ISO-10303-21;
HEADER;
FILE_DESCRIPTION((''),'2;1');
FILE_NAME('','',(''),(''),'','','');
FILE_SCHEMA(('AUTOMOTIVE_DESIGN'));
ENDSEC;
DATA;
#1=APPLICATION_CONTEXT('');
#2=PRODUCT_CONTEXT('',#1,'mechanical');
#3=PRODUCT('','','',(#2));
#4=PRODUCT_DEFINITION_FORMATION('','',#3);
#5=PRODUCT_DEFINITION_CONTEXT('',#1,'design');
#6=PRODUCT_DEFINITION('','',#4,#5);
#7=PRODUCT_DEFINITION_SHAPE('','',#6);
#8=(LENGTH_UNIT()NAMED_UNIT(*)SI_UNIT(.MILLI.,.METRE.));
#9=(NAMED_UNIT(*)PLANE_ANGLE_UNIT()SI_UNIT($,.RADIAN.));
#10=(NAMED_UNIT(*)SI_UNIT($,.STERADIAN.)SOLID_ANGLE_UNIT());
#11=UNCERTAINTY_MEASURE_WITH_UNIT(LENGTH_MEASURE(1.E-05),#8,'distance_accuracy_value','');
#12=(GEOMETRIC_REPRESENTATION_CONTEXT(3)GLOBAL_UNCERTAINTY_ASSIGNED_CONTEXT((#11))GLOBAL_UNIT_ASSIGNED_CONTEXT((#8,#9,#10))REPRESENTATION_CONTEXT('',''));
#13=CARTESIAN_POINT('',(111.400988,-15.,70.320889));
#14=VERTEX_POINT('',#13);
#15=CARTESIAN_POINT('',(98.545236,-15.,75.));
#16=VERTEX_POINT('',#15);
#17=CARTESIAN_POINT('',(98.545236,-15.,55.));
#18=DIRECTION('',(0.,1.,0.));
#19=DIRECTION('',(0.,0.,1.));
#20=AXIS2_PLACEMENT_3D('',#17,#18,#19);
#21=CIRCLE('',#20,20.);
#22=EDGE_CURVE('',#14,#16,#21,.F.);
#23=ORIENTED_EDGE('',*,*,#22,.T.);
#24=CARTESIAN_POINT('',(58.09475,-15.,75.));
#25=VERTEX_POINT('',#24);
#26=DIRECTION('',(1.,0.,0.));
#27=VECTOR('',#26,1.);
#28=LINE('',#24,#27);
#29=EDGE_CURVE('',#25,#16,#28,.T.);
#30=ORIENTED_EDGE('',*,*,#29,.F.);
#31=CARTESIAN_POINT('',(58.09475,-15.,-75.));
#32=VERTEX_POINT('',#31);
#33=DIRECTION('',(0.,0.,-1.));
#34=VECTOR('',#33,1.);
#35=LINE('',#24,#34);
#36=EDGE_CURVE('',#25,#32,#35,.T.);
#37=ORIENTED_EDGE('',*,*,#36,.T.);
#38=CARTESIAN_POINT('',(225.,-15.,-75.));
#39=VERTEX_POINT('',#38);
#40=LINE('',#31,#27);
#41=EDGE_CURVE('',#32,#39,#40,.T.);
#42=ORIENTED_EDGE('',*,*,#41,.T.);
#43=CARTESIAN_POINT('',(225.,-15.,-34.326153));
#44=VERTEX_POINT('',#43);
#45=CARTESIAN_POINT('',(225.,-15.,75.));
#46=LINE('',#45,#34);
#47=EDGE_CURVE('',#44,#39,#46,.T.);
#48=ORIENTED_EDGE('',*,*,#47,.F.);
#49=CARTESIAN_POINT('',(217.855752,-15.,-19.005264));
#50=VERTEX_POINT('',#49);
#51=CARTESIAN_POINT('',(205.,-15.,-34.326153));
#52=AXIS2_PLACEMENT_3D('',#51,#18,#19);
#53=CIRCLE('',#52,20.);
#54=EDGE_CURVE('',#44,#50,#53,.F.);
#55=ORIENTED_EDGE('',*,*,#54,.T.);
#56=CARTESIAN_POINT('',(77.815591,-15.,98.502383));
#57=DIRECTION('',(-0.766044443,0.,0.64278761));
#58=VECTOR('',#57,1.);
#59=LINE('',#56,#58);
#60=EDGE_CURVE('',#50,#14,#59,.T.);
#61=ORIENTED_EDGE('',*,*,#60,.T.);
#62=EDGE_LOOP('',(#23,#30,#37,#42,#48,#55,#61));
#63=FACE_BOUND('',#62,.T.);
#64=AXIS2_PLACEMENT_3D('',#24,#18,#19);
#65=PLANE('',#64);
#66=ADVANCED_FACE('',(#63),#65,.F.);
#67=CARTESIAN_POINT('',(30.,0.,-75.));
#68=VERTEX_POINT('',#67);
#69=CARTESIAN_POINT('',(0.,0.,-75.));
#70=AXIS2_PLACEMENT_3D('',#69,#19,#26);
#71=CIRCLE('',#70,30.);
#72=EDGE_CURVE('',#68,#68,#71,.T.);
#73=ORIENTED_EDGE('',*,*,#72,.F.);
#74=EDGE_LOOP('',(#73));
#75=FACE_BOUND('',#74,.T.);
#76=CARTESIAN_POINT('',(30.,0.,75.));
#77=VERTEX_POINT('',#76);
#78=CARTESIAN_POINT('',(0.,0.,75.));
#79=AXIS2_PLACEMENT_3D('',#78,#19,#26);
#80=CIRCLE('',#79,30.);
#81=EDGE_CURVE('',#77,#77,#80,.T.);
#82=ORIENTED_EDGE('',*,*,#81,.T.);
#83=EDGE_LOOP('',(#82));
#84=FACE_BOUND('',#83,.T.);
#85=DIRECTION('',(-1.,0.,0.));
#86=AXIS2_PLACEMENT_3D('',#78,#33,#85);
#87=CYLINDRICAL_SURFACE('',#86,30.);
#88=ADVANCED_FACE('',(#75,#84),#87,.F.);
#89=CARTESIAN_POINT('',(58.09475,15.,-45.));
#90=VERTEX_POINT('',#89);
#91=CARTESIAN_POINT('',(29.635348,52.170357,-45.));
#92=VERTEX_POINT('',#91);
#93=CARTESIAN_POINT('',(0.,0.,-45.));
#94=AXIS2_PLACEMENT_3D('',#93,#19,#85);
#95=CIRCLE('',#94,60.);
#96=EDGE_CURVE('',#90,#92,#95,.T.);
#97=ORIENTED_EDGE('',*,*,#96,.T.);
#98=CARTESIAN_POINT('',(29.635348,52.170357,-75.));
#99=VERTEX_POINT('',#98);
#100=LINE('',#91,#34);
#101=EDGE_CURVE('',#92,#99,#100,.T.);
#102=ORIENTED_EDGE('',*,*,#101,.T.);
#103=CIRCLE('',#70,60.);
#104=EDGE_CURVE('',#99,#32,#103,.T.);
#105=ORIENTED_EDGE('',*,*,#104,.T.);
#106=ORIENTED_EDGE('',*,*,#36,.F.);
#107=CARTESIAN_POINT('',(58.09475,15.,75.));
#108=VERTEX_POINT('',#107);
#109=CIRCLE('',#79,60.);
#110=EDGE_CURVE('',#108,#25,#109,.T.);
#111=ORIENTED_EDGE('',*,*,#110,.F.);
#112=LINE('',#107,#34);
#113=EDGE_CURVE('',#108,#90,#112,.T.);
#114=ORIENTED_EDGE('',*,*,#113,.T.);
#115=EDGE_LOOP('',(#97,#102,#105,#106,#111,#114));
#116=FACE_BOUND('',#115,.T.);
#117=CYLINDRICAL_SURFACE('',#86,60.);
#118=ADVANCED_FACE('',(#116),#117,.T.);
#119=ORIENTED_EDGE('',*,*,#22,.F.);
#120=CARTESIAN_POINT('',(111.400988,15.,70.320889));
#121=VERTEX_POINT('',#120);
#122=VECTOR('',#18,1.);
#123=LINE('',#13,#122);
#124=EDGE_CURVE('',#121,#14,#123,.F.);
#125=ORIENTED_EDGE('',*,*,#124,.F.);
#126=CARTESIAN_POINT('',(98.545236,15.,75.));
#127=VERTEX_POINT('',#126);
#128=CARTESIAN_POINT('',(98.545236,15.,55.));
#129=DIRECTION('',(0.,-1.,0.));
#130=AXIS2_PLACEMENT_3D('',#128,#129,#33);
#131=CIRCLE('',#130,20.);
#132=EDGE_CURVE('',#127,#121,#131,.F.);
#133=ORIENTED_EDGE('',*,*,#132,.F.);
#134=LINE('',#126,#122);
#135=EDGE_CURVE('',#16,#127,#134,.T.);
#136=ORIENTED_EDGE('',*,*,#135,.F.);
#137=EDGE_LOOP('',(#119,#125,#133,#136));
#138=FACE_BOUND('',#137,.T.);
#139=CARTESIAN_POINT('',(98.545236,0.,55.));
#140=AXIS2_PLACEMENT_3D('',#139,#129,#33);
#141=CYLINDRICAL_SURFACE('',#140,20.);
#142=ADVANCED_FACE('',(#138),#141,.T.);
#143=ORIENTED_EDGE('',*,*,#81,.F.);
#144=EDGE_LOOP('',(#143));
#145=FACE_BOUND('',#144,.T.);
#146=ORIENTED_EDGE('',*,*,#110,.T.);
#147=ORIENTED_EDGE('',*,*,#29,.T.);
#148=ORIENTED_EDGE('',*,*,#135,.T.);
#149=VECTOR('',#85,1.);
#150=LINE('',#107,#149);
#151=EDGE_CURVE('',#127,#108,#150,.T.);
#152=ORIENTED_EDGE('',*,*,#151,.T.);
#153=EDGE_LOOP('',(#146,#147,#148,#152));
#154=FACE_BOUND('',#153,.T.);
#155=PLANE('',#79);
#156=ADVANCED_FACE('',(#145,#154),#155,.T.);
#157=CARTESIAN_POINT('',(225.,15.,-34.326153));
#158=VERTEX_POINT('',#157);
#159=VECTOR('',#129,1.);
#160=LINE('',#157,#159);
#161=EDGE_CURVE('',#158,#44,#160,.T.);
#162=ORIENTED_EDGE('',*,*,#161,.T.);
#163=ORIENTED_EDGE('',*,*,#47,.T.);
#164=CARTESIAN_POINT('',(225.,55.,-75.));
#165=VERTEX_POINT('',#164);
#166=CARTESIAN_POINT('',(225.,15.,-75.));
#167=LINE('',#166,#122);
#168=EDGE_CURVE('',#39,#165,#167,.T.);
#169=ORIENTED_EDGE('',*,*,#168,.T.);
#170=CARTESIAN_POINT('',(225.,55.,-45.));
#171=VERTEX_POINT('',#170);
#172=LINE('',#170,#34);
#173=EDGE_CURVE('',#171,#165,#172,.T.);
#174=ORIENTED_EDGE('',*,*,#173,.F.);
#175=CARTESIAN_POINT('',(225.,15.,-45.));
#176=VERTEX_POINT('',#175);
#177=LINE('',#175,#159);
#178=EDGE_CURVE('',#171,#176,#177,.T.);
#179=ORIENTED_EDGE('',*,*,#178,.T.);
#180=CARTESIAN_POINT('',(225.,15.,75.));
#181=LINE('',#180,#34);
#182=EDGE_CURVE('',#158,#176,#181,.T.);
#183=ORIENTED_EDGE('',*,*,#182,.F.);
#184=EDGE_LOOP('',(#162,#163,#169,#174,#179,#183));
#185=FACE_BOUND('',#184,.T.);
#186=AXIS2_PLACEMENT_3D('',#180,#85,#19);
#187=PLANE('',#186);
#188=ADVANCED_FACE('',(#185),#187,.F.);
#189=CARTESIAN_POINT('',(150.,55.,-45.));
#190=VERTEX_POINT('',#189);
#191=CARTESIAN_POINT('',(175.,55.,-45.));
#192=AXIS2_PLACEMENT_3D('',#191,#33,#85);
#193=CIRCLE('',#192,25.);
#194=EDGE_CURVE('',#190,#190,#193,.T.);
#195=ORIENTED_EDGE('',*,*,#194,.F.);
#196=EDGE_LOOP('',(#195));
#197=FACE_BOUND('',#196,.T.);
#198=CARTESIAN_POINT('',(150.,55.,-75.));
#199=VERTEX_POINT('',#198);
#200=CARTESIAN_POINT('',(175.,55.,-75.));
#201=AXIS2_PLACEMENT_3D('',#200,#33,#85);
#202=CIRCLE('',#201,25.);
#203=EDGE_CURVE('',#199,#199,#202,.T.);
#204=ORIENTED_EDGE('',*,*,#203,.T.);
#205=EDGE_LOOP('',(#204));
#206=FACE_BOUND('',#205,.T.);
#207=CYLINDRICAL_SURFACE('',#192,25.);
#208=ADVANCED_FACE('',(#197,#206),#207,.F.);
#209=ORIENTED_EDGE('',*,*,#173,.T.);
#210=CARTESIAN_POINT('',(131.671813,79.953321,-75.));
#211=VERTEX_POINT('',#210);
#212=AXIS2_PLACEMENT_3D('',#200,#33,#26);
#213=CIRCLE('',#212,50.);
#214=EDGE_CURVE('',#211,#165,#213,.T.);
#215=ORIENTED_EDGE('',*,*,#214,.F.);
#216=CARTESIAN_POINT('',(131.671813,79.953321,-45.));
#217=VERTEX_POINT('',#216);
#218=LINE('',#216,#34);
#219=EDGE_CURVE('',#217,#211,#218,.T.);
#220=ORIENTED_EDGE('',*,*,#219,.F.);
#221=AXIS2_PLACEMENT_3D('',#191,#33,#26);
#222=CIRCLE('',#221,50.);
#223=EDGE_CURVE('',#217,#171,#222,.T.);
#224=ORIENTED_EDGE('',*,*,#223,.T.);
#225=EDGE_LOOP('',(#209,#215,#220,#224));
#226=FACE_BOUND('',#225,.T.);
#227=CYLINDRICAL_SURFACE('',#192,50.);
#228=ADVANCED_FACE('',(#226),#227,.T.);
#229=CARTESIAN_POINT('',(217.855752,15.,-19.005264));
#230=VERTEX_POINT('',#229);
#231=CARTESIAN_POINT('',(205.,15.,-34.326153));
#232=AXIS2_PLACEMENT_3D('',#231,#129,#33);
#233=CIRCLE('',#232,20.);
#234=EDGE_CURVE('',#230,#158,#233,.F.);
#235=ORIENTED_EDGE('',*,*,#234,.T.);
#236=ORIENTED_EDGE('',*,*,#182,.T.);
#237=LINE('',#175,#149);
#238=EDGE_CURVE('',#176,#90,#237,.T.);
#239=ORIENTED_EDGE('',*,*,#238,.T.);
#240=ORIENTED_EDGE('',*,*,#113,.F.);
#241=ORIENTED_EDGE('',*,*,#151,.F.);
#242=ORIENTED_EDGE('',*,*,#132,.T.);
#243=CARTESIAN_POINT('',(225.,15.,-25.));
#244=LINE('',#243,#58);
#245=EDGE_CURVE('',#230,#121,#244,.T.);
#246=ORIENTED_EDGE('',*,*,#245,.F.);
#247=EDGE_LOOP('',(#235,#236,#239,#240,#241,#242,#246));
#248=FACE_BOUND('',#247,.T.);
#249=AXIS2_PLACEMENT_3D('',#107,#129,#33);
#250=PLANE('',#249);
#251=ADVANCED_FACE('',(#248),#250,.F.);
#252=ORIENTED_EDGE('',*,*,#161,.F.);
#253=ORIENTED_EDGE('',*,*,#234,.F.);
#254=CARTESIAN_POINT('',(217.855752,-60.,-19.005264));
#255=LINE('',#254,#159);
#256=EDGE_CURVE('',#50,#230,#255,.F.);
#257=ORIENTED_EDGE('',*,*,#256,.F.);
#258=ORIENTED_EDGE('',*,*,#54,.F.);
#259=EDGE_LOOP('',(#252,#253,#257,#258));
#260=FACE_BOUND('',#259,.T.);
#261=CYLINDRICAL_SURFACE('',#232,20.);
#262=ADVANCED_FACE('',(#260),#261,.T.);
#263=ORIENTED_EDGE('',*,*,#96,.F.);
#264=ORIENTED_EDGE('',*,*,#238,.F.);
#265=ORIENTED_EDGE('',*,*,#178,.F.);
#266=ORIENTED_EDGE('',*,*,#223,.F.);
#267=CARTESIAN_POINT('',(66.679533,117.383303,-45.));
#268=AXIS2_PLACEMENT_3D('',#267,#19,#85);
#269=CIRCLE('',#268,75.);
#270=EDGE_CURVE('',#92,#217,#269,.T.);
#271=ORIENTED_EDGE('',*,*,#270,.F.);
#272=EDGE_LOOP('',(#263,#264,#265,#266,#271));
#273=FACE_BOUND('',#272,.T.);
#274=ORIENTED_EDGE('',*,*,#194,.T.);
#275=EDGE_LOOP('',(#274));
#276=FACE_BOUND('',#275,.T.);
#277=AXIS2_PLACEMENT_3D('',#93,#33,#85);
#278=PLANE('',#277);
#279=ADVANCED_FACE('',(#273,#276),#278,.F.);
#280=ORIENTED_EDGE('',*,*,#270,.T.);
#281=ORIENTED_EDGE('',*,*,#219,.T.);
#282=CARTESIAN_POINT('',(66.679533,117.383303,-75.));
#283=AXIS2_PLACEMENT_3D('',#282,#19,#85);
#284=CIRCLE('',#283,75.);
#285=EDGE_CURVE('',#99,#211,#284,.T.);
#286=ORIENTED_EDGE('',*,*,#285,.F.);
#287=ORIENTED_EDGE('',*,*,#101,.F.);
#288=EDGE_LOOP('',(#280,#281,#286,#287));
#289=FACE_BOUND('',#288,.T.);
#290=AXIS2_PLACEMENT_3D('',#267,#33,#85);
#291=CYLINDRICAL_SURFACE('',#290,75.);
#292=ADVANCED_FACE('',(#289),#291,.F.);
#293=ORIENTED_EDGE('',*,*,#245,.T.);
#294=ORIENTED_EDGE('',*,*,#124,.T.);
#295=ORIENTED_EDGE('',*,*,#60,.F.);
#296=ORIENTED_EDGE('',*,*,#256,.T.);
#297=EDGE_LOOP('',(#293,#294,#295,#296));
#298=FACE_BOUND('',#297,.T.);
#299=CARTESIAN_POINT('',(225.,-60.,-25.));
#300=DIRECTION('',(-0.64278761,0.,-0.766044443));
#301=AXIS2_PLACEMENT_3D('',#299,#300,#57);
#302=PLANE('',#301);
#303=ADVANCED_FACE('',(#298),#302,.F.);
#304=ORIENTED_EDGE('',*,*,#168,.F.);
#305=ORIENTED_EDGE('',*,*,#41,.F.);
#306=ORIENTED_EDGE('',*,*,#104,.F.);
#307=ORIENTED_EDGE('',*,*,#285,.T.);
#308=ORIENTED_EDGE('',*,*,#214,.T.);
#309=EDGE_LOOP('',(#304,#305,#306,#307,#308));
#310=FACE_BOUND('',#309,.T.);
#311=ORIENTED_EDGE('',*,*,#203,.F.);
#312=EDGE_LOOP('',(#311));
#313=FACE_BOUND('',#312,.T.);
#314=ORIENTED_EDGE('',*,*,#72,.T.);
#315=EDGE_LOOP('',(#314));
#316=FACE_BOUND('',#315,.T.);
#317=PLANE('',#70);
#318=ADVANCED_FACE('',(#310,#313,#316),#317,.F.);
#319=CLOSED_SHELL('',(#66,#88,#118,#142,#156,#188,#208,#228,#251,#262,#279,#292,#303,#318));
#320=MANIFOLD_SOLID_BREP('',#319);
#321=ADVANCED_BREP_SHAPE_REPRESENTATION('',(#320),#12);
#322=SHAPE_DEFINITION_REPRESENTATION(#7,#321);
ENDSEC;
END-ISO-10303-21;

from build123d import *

# Parameters (mm, degrees)
SKETCH1_R           = 30
BOSS_EXTRUDE1_DEPTH = 75
SKETCH2_R           = 25
BOSS_EXTRUDE2_DEPTH = 30
CUT_EXTRUDE1_DEPTH  = 76
FILLET1_R           = 20


with BuildPart() as part:
    # Sketch1 → Boss-Extrude1 (new body, symmetric)
    with BuildSketch(Plane.XY):
        with BuildLine():
            Line((58.094750193, 15), (225, 15))
            Line((225, 15), (225, -15))
            Line((225, -15), (58.094750193, -15))
            ThreePointArc((58.094750193, -15), (-60, 0), (58.094750193, 15))
        make_face()
        Circle(SKETCH1_R, mode=Mode.SUBTRACT)
    extrude(amount=BOSS_EXTRUDE1_DEPTH, both=True)

    # Sketch2 → Boss-Extrude2 (add)
    with BuildSketch(Plane(origin=(0, 0, -75), x_dir=(-1, 0, 0), z_dir=(0, 0, -1))):
        with BuildLine():
            Line((-225, 15), (-225, 55))
            ThreePointArc((-225, 55), (-187.914926762, 103.30325731), (-131.671813331, 79.953321221))
            ThreePointArc((-131.671813331, 79.953321221), (-86.383524737, 45.01789196), (-29.635348145, 52.170356912))
            ThreePointArc((-29.635348145, 52.170356912), (-47.639808951, 36.475314984), (-58.094750193, 15))
            Line((-58.094750193, 15), (-225, 15))
        make_face()
        with Locations((-175, 55)):
            Circle(SKETCH2_R, mode=Mode.SUBTRACT)
    extrude(amount=-BOSS_EXTRUDE2_DEPTH)

    # Sketch3 → Cut-Extrude1 (cut, through all)
    with BuildSketch(Plane(origin=(0, 15, 0), x_dir=(1, 0, 0), z_dir=(0, 1, 0))):
        Polygon((225, 25), (105.824640741, -75), (225, -75), align=None)
    extrude(amount=-CUT_EXTRUDE1_DEPTH, mode=Mode.SUBTRACT)

    # Fillet1
    fillet1_edges = [part.edges().sort_by_distance(p)[0] for p in [
        (225, 0, -25),
        (105.824640741, 0, 75),
    ]]
    fillet(fillet1_edges, radius=FILLET1_R)


solid = part.part
